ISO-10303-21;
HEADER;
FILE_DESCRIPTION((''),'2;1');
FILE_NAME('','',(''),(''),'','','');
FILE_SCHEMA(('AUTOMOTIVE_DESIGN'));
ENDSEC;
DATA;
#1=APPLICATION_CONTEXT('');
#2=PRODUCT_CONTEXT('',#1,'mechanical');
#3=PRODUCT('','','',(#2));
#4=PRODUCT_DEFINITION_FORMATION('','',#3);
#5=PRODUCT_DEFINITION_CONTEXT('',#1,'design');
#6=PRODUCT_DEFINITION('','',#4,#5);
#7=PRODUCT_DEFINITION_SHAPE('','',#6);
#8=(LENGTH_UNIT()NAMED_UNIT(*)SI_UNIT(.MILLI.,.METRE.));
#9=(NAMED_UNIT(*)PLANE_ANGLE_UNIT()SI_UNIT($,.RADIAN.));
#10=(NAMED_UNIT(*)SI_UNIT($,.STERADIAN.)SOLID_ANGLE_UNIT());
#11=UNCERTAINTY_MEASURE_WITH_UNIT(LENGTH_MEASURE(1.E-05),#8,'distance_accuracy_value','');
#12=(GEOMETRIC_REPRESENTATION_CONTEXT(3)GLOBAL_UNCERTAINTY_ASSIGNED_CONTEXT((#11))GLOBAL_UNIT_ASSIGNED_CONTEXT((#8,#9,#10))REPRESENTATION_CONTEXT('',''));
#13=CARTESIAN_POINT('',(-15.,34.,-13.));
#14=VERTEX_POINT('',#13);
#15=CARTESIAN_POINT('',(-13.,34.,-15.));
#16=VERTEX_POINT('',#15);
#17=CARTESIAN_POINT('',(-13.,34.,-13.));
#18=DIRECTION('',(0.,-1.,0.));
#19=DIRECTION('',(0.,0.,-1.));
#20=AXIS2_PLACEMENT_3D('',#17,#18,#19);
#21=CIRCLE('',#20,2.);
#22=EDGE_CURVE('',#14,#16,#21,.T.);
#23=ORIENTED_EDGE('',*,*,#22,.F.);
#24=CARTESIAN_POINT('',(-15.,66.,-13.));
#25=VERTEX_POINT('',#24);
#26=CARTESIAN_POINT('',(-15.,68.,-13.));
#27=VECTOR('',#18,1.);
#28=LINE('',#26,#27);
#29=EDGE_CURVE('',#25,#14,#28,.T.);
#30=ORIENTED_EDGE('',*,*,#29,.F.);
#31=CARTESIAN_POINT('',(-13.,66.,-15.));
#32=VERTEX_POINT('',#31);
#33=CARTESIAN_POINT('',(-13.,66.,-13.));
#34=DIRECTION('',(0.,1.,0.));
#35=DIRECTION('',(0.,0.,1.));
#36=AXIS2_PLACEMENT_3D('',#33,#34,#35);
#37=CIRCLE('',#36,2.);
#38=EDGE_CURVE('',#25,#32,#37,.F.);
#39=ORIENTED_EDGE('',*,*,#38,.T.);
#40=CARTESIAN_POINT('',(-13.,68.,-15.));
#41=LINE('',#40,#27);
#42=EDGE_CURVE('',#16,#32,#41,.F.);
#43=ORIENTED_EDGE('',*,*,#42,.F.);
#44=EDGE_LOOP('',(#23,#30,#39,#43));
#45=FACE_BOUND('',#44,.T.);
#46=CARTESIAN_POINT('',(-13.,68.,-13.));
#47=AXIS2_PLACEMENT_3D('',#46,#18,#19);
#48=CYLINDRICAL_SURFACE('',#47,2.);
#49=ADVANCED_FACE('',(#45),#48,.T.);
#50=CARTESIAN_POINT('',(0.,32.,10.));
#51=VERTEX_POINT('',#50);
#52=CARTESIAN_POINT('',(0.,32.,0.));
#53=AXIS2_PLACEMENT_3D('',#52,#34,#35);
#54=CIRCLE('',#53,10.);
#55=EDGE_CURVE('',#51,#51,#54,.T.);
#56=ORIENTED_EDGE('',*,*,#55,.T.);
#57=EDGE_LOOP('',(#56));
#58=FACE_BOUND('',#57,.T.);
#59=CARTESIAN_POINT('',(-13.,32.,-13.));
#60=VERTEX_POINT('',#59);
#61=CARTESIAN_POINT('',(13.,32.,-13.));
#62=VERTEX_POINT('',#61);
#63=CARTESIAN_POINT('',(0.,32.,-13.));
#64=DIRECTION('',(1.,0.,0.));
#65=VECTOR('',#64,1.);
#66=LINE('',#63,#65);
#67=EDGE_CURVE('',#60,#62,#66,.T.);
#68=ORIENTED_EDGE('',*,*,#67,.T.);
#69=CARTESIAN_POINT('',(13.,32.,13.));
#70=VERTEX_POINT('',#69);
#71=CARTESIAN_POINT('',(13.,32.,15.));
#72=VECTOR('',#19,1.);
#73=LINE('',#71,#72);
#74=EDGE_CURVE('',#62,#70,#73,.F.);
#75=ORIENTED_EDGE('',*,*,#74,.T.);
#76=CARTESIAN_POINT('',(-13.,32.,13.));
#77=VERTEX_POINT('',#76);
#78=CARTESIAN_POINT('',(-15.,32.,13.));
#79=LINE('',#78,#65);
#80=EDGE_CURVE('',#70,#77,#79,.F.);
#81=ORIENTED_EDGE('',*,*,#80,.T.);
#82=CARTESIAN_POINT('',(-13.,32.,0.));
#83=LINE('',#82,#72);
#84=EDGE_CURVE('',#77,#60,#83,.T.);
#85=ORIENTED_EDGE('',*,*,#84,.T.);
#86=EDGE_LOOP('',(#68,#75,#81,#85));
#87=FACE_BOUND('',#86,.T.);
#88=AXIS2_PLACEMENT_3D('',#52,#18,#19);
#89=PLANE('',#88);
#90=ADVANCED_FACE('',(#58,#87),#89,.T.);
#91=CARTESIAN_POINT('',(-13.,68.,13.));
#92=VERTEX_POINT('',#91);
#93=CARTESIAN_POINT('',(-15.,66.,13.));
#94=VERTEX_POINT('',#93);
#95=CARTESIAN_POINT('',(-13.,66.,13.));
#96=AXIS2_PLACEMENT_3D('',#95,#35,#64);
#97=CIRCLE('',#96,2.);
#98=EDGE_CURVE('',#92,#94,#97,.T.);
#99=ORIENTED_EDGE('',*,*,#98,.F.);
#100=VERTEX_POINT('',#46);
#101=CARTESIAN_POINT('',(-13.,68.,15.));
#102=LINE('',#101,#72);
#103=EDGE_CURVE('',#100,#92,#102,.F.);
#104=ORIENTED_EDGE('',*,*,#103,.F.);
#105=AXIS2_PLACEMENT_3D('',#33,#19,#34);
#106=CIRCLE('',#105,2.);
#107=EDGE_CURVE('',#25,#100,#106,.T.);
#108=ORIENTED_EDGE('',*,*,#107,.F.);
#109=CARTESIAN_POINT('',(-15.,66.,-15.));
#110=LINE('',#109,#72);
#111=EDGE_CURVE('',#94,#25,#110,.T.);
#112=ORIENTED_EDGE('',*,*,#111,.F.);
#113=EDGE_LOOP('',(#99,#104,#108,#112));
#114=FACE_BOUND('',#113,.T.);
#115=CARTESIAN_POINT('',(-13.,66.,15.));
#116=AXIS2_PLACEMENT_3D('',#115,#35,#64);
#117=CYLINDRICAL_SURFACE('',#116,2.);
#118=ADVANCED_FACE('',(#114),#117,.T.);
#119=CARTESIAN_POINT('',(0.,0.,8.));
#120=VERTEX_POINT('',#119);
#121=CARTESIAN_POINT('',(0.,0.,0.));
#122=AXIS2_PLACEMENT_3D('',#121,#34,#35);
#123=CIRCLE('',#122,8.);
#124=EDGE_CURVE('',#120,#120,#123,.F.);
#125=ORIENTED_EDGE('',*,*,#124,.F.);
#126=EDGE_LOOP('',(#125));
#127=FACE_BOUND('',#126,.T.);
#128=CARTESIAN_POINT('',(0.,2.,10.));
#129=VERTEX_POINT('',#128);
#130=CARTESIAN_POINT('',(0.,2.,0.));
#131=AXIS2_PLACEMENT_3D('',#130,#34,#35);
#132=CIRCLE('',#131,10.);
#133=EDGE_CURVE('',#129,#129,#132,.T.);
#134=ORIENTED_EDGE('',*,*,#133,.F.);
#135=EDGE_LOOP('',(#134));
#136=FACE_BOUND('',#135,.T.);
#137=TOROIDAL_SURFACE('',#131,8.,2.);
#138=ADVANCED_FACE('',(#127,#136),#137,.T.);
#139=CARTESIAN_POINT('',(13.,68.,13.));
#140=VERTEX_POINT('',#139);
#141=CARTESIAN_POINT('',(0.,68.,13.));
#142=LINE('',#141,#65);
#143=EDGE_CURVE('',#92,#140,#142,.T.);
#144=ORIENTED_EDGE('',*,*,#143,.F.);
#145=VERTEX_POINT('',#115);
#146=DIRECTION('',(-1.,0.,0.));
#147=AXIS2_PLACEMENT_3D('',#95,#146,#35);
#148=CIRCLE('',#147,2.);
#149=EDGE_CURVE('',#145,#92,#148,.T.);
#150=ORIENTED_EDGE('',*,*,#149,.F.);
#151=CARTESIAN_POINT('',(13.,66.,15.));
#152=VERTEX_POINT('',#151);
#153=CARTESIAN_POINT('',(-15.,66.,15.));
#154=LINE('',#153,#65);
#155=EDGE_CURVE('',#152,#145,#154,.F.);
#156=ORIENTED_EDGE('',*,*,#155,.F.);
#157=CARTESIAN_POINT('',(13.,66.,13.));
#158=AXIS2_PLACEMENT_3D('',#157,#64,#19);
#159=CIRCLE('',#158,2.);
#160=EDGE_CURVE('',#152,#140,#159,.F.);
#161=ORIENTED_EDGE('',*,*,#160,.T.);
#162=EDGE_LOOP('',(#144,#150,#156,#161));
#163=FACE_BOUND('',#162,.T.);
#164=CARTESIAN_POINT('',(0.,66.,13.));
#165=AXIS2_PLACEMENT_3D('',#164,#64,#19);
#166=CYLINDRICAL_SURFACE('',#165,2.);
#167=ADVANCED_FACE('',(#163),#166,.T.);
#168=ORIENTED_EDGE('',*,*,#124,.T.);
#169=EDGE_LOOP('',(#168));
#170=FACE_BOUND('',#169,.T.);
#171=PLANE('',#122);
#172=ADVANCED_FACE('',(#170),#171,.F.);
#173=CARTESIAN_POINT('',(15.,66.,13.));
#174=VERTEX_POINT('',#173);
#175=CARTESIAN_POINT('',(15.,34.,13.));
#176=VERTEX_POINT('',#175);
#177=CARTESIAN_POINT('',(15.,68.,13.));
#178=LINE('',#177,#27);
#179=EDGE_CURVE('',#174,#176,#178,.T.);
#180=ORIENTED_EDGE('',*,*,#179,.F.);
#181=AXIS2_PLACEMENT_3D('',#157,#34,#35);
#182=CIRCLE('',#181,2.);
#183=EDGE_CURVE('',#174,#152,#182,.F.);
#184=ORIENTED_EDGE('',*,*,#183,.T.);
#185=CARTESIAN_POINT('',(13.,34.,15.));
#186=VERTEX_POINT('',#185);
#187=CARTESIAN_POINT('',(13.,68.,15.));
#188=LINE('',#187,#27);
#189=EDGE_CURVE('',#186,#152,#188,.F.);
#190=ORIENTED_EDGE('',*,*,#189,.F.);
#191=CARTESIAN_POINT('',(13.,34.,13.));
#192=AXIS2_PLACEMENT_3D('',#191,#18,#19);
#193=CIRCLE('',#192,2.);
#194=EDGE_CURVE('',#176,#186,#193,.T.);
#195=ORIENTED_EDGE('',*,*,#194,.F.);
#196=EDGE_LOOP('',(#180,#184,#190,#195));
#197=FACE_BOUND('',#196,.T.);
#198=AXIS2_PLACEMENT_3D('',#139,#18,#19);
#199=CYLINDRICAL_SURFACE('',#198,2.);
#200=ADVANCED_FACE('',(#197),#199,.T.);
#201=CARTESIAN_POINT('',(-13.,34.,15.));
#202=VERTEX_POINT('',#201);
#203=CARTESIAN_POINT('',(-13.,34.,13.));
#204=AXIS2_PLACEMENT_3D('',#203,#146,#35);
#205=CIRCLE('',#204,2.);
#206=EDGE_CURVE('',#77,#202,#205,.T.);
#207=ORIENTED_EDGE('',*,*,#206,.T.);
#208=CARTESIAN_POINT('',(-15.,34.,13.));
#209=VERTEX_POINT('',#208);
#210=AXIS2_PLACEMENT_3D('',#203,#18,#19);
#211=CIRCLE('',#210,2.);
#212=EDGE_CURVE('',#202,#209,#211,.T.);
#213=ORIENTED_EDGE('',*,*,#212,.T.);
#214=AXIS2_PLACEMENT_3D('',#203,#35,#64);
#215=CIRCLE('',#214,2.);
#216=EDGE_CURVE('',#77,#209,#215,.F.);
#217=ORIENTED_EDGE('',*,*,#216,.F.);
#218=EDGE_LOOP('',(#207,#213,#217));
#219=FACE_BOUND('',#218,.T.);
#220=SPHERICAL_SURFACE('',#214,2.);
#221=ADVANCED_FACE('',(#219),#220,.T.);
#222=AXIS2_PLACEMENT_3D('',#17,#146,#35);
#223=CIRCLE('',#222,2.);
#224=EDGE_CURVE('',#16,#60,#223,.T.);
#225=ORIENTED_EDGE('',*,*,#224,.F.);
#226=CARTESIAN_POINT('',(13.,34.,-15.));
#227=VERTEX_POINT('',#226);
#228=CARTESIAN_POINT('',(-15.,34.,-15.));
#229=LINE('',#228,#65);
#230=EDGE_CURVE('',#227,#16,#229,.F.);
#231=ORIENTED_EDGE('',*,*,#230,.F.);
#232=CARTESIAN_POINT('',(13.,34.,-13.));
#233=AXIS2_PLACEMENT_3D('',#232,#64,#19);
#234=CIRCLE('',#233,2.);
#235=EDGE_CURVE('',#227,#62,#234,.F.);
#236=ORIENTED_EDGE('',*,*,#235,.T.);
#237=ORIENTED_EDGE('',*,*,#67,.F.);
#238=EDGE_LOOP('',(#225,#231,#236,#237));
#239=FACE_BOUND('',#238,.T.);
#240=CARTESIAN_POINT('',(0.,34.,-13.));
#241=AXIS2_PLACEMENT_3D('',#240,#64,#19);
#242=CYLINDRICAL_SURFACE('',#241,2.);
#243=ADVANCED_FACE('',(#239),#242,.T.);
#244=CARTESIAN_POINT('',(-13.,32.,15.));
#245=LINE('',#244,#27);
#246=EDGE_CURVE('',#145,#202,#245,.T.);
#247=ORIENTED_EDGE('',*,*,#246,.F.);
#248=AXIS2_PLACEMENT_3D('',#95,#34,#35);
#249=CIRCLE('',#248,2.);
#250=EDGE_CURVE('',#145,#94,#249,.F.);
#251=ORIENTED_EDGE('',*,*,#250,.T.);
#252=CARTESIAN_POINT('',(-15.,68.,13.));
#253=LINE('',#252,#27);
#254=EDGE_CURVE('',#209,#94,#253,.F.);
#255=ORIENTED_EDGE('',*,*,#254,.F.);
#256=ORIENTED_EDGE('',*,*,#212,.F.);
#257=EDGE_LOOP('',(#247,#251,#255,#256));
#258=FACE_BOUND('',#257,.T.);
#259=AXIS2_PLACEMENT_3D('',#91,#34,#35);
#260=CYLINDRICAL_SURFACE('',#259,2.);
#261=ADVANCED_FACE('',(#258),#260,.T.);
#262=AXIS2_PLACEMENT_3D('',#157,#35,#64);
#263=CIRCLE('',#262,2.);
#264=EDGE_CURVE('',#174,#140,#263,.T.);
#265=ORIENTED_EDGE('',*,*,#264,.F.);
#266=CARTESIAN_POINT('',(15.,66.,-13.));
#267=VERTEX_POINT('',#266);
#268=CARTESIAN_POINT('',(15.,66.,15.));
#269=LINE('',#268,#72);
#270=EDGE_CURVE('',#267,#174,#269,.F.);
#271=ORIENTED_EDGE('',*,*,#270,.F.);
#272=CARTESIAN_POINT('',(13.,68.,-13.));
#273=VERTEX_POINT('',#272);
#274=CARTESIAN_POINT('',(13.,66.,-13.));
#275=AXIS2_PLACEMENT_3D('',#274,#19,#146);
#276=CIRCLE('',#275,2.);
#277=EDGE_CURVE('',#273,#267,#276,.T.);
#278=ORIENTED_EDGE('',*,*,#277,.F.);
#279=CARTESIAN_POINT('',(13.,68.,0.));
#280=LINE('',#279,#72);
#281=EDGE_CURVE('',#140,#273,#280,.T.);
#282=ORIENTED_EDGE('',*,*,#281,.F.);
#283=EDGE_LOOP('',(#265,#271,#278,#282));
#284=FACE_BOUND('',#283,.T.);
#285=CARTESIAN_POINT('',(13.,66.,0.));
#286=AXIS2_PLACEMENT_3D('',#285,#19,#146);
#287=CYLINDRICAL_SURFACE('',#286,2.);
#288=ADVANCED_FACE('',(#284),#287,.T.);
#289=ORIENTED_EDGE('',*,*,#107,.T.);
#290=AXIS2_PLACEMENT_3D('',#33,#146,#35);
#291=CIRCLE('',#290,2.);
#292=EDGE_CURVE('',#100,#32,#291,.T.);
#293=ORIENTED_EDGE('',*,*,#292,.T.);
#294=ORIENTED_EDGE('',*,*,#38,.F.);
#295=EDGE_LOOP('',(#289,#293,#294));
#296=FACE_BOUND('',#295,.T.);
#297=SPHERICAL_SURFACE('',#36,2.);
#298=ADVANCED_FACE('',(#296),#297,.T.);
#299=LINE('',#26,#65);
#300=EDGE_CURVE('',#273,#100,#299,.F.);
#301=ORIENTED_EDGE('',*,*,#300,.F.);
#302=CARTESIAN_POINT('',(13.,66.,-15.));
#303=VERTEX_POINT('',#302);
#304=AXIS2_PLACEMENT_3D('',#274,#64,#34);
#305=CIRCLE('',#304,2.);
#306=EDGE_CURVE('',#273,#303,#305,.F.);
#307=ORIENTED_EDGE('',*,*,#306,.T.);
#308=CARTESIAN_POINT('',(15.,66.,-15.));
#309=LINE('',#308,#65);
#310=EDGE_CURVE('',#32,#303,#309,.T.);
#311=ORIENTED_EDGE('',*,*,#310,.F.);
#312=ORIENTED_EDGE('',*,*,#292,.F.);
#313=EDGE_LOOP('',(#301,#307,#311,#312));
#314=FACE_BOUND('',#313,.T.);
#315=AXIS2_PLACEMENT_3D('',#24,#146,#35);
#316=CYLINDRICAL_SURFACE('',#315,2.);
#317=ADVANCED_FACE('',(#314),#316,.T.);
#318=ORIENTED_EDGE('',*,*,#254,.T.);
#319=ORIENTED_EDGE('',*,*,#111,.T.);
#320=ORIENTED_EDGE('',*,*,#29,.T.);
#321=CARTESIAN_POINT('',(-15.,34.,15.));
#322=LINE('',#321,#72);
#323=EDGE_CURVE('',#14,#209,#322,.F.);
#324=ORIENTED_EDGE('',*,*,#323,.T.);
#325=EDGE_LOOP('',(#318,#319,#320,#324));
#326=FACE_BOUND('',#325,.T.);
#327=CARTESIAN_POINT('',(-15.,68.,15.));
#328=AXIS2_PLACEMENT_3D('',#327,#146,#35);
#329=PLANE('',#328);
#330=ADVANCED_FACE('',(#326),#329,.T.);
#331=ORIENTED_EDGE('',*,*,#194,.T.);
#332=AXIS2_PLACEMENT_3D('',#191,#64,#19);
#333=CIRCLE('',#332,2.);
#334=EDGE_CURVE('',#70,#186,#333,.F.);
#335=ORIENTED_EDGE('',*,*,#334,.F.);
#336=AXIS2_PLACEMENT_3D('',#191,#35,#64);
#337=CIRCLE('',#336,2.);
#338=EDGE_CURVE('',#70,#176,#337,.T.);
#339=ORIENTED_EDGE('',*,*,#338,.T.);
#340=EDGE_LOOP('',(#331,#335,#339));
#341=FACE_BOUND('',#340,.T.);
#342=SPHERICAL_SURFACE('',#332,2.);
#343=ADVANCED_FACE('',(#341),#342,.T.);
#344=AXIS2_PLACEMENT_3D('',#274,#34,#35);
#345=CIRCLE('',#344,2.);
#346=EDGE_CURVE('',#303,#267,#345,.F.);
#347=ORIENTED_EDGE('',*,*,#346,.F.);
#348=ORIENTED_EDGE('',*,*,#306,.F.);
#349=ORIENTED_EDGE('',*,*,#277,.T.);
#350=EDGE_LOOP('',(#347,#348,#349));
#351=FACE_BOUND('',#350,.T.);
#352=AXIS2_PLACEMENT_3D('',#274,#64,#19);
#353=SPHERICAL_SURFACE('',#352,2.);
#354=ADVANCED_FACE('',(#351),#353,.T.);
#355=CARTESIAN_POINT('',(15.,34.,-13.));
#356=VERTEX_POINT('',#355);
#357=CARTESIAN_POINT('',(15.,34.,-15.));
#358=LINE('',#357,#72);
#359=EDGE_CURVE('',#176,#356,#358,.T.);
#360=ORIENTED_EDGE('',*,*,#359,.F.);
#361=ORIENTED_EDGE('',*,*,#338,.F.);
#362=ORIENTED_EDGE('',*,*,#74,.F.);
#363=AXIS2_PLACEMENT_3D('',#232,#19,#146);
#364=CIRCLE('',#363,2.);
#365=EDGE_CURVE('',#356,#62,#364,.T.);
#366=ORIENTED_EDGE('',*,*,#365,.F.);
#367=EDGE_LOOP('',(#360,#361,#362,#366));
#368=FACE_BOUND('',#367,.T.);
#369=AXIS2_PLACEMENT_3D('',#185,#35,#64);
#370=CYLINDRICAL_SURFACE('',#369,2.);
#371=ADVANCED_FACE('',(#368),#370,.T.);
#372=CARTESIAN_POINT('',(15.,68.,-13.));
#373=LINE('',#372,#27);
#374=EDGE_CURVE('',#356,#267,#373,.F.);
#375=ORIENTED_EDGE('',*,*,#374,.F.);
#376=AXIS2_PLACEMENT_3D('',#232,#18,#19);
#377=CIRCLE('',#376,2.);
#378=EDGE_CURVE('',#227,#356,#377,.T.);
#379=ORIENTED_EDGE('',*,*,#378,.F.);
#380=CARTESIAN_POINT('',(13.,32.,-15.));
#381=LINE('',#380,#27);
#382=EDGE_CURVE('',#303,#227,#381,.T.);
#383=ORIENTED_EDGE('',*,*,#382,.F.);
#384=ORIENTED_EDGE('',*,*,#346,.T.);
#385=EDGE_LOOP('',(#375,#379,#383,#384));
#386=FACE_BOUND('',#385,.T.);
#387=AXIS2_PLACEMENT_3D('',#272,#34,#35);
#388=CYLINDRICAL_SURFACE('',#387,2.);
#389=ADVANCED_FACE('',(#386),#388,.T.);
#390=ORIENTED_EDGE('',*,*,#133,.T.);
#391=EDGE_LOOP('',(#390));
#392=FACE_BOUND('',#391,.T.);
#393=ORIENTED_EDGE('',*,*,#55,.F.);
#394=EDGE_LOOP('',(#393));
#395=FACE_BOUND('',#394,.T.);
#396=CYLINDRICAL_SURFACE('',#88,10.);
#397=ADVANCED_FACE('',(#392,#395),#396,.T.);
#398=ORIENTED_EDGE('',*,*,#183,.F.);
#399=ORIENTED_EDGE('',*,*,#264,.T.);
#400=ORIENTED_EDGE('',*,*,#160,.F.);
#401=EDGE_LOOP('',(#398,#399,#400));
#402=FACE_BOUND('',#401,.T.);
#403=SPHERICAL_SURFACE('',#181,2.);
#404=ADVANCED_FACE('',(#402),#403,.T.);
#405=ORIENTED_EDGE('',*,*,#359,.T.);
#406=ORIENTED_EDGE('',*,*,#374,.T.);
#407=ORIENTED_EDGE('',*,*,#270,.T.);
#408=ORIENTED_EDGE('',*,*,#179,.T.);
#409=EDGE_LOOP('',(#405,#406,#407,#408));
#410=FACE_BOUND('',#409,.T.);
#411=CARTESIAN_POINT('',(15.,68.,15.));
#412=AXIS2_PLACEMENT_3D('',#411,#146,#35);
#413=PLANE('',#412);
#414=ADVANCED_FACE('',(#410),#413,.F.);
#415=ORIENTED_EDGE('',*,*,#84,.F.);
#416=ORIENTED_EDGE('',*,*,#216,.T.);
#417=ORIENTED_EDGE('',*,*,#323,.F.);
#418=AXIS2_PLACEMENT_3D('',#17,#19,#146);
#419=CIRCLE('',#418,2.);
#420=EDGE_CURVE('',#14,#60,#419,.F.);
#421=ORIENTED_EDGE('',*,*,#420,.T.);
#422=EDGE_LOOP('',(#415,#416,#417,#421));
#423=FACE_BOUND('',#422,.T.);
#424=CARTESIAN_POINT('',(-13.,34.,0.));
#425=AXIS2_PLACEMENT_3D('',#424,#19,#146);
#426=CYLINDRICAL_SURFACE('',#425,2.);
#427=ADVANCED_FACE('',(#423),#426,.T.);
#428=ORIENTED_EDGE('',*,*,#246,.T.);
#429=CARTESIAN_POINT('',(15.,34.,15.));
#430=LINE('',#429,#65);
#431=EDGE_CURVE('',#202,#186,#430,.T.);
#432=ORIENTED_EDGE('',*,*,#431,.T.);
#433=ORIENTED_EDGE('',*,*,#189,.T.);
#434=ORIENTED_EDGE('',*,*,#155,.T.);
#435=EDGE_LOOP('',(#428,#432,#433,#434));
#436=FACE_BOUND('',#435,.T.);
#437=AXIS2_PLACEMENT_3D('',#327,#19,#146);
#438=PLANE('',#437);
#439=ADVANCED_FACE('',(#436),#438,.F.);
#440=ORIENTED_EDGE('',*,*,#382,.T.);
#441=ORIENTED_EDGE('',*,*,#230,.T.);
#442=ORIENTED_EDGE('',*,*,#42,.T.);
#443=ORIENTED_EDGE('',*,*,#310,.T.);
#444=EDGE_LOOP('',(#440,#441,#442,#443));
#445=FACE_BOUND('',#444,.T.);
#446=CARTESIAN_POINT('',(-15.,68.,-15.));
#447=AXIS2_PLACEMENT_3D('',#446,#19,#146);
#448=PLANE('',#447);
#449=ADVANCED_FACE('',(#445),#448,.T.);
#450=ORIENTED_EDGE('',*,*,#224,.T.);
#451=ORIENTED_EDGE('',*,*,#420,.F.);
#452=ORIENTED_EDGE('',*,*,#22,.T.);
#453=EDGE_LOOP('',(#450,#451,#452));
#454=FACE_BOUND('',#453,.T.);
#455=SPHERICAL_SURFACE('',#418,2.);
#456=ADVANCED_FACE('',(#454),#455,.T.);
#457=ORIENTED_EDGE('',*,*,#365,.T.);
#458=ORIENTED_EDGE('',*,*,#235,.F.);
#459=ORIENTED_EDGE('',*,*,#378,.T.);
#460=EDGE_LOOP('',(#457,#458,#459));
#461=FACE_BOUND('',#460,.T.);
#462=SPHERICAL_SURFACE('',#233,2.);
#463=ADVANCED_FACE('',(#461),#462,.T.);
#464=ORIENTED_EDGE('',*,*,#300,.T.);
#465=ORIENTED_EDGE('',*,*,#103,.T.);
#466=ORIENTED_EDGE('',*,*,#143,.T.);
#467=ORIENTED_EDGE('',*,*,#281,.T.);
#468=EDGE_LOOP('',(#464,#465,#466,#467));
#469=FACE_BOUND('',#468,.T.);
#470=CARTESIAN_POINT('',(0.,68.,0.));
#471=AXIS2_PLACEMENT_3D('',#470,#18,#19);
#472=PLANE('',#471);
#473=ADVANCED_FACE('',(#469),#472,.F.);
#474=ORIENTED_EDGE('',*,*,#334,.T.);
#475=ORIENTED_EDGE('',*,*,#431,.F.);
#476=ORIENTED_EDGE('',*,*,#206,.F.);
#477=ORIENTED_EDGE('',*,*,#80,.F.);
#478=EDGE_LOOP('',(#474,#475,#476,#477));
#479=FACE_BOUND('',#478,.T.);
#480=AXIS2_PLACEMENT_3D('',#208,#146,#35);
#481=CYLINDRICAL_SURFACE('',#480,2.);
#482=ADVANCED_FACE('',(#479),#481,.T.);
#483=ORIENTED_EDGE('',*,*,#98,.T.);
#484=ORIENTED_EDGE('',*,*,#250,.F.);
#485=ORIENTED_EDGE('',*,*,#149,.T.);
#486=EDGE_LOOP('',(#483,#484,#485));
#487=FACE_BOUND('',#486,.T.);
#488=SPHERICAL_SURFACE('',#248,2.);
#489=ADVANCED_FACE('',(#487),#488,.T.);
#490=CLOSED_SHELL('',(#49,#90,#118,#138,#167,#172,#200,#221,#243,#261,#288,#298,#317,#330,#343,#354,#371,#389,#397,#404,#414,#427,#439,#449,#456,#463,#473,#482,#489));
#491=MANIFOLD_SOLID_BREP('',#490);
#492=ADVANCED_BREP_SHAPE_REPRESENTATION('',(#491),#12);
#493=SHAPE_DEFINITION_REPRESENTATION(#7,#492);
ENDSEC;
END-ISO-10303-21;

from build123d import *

# Parameters (mm, degrees)
SKETCH1_R           = 10
BOSS_EXTRUDE1_DEPTH = 32
SKETCH2_W           = 30
SKETCH2_H           = 30
BOSS_EXTRUDE2_DEPTH = 36
FILLET1_R           = 2


with BuildPart() as part:
    # Sketch1 → Boss-Extrude1 (new body)
    with BuildSketch(Plane(origin=(0, 0, 0), x_dir=(1, 0, 0), z_dir=(0, 1, 0))):
        with Locations(Location((0, 0, 0), (0, 0, 270))):
            Circle(SKETCH1_R)
    extrude(amount=BOSS_EXTRUDE1_DEPTH)

    # Sketch2 → Boss-Extrude2 (add)
    with BuildSketch(Plane(origin=(0, 32, 0), x_dir=(1, 0, 0), z_dir=(0, 1, 0))):
        Rectangle(SKETCH2_W, SKETCH2_H)
    extrude(amount=BOSS_EXTRUDE2_DEPTH)

    # Fillet1
    fillet1_edges = [part.edges().sort_by_distance(p)[0] for p in [
        (0, 0, -10),
        (-15, 68, 0),
        (-15, 50, -15),
        (0, 32, 15),
        (-15, 50, 15),
        (15, 32, 0),
        (15, 50, 15),
        (0, 68, -15),
        (15, 50, -15),
        (0, 68, 15),
        (15, 68, 0),
        (-15, 32, 0),
        (0, 32, -15),
    ]]
    fillet(fillet1_edges, radius=FILLET1_R)


solid = part.part
